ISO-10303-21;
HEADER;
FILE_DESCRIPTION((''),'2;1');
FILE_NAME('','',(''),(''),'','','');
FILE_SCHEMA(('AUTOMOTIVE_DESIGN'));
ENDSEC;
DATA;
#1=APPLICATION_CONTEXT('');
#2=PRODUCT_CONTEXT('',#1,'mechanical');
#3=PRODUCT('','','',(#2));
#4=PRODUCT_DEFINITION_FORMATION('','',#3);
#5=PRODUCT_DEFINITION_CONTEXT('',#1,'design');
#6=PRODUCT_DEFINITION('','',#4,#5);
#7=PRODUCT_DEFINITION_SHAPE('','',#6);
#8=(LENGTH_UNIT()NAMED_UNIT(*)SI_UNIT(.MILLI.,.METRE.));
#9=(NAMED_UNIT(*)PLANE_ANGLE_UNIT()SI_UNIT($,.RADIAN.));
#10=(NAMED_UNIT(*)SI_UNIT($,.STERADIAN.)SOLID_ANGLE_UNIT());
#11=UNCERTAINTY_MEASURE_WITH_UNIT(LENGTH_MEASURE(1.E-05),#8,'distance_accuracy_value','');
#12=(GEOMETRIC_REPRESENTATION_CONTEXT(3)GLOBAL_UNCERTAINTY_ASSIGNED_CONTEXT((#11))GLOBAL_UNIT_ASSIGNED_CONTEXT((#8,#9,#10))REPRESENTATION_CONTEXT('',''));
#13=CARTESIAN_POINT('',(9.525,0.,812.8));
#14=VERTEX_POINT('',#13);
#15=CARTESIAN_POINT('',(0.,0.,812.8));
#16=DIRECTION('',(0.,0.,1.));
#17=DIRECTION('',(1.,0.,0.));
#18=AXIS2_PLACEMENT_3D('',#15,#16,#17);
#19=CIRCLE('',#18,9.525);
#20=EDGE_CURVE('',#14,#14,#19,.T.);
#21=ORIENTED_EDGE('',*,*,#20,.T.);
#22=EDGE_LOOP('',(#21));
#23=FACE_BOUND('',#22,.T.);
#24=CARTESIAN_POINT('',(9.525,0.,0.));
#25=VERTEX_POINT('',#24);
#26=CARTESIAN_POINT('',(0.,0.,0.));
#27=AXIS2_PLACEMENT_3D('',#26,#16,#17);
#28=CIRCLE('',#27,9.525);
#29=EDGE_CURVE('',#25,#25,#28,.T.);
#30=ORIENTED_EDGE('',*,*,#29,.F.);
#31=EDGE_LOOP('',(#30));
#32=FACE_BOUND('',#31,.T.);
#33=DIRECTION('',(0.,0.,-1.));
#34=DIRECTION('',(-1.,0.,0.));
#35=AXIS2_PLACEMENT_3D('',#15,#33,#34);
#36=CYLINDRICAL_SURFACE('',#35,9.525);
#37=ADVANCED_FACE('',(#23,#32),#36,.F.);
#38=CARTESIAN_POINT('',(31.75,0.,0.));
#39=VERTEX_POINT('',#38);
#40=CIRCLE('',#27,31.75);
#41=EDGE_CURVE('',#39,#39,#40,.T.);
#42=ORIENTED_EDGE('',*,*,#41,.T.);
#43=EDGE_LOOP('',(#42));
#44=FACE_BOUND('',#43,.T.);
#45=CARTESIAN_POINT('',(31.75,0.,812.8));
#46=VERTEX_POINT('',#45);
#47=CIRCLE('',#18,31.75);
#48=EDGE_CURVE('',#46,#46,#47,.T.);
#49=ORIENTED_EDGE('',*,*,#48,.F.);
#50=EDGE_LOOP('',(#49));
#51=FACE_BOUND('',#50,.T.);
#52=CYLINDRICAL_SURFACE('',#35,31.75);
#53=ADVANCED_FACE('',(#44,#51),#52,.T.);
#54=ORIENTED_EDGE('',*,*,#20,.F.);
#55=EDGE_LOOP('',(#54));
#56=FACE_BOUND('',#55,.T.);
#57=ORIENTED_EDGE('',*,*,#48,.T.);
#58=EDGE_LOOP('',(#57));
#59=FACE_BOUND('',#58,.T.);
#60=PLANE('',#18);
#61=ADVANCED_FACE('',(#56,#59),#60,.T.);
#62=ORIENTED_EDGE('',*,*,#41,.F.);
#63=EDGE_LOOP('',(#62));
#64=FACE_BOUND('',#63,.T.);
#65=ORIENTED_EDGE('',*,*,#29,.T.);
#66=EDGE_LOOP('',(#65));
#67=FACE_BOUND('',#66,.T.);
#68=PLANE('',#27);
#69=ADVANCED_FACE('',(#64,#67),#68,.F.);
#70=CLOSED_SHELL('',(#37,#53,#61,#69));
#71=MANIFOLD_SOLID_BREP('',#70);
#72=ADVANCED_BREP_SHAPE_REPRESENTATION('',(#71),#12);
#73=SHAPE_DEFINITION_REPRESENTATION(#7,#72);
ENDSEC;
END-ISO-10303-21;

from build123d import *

# Parameters (mm, degrees)
SKETCH1_R           = 31.75
SKETCH1_R_2         = 9.525
BOSS_EXTRUDE1_DEPTH = 812.8


with BuildPart() as part:
    # Sketch1 → Boss-Extrude1 (new body)
    with BuildSketch(Plane.XY):
        Circle(SKETCH1_R)
        Circle(SKETCH1_R_2, mode=Mode.SUBTRACT)
    extrude(amount=BOSS_EXTRUDE1_DEPTH)


solid = part.part
